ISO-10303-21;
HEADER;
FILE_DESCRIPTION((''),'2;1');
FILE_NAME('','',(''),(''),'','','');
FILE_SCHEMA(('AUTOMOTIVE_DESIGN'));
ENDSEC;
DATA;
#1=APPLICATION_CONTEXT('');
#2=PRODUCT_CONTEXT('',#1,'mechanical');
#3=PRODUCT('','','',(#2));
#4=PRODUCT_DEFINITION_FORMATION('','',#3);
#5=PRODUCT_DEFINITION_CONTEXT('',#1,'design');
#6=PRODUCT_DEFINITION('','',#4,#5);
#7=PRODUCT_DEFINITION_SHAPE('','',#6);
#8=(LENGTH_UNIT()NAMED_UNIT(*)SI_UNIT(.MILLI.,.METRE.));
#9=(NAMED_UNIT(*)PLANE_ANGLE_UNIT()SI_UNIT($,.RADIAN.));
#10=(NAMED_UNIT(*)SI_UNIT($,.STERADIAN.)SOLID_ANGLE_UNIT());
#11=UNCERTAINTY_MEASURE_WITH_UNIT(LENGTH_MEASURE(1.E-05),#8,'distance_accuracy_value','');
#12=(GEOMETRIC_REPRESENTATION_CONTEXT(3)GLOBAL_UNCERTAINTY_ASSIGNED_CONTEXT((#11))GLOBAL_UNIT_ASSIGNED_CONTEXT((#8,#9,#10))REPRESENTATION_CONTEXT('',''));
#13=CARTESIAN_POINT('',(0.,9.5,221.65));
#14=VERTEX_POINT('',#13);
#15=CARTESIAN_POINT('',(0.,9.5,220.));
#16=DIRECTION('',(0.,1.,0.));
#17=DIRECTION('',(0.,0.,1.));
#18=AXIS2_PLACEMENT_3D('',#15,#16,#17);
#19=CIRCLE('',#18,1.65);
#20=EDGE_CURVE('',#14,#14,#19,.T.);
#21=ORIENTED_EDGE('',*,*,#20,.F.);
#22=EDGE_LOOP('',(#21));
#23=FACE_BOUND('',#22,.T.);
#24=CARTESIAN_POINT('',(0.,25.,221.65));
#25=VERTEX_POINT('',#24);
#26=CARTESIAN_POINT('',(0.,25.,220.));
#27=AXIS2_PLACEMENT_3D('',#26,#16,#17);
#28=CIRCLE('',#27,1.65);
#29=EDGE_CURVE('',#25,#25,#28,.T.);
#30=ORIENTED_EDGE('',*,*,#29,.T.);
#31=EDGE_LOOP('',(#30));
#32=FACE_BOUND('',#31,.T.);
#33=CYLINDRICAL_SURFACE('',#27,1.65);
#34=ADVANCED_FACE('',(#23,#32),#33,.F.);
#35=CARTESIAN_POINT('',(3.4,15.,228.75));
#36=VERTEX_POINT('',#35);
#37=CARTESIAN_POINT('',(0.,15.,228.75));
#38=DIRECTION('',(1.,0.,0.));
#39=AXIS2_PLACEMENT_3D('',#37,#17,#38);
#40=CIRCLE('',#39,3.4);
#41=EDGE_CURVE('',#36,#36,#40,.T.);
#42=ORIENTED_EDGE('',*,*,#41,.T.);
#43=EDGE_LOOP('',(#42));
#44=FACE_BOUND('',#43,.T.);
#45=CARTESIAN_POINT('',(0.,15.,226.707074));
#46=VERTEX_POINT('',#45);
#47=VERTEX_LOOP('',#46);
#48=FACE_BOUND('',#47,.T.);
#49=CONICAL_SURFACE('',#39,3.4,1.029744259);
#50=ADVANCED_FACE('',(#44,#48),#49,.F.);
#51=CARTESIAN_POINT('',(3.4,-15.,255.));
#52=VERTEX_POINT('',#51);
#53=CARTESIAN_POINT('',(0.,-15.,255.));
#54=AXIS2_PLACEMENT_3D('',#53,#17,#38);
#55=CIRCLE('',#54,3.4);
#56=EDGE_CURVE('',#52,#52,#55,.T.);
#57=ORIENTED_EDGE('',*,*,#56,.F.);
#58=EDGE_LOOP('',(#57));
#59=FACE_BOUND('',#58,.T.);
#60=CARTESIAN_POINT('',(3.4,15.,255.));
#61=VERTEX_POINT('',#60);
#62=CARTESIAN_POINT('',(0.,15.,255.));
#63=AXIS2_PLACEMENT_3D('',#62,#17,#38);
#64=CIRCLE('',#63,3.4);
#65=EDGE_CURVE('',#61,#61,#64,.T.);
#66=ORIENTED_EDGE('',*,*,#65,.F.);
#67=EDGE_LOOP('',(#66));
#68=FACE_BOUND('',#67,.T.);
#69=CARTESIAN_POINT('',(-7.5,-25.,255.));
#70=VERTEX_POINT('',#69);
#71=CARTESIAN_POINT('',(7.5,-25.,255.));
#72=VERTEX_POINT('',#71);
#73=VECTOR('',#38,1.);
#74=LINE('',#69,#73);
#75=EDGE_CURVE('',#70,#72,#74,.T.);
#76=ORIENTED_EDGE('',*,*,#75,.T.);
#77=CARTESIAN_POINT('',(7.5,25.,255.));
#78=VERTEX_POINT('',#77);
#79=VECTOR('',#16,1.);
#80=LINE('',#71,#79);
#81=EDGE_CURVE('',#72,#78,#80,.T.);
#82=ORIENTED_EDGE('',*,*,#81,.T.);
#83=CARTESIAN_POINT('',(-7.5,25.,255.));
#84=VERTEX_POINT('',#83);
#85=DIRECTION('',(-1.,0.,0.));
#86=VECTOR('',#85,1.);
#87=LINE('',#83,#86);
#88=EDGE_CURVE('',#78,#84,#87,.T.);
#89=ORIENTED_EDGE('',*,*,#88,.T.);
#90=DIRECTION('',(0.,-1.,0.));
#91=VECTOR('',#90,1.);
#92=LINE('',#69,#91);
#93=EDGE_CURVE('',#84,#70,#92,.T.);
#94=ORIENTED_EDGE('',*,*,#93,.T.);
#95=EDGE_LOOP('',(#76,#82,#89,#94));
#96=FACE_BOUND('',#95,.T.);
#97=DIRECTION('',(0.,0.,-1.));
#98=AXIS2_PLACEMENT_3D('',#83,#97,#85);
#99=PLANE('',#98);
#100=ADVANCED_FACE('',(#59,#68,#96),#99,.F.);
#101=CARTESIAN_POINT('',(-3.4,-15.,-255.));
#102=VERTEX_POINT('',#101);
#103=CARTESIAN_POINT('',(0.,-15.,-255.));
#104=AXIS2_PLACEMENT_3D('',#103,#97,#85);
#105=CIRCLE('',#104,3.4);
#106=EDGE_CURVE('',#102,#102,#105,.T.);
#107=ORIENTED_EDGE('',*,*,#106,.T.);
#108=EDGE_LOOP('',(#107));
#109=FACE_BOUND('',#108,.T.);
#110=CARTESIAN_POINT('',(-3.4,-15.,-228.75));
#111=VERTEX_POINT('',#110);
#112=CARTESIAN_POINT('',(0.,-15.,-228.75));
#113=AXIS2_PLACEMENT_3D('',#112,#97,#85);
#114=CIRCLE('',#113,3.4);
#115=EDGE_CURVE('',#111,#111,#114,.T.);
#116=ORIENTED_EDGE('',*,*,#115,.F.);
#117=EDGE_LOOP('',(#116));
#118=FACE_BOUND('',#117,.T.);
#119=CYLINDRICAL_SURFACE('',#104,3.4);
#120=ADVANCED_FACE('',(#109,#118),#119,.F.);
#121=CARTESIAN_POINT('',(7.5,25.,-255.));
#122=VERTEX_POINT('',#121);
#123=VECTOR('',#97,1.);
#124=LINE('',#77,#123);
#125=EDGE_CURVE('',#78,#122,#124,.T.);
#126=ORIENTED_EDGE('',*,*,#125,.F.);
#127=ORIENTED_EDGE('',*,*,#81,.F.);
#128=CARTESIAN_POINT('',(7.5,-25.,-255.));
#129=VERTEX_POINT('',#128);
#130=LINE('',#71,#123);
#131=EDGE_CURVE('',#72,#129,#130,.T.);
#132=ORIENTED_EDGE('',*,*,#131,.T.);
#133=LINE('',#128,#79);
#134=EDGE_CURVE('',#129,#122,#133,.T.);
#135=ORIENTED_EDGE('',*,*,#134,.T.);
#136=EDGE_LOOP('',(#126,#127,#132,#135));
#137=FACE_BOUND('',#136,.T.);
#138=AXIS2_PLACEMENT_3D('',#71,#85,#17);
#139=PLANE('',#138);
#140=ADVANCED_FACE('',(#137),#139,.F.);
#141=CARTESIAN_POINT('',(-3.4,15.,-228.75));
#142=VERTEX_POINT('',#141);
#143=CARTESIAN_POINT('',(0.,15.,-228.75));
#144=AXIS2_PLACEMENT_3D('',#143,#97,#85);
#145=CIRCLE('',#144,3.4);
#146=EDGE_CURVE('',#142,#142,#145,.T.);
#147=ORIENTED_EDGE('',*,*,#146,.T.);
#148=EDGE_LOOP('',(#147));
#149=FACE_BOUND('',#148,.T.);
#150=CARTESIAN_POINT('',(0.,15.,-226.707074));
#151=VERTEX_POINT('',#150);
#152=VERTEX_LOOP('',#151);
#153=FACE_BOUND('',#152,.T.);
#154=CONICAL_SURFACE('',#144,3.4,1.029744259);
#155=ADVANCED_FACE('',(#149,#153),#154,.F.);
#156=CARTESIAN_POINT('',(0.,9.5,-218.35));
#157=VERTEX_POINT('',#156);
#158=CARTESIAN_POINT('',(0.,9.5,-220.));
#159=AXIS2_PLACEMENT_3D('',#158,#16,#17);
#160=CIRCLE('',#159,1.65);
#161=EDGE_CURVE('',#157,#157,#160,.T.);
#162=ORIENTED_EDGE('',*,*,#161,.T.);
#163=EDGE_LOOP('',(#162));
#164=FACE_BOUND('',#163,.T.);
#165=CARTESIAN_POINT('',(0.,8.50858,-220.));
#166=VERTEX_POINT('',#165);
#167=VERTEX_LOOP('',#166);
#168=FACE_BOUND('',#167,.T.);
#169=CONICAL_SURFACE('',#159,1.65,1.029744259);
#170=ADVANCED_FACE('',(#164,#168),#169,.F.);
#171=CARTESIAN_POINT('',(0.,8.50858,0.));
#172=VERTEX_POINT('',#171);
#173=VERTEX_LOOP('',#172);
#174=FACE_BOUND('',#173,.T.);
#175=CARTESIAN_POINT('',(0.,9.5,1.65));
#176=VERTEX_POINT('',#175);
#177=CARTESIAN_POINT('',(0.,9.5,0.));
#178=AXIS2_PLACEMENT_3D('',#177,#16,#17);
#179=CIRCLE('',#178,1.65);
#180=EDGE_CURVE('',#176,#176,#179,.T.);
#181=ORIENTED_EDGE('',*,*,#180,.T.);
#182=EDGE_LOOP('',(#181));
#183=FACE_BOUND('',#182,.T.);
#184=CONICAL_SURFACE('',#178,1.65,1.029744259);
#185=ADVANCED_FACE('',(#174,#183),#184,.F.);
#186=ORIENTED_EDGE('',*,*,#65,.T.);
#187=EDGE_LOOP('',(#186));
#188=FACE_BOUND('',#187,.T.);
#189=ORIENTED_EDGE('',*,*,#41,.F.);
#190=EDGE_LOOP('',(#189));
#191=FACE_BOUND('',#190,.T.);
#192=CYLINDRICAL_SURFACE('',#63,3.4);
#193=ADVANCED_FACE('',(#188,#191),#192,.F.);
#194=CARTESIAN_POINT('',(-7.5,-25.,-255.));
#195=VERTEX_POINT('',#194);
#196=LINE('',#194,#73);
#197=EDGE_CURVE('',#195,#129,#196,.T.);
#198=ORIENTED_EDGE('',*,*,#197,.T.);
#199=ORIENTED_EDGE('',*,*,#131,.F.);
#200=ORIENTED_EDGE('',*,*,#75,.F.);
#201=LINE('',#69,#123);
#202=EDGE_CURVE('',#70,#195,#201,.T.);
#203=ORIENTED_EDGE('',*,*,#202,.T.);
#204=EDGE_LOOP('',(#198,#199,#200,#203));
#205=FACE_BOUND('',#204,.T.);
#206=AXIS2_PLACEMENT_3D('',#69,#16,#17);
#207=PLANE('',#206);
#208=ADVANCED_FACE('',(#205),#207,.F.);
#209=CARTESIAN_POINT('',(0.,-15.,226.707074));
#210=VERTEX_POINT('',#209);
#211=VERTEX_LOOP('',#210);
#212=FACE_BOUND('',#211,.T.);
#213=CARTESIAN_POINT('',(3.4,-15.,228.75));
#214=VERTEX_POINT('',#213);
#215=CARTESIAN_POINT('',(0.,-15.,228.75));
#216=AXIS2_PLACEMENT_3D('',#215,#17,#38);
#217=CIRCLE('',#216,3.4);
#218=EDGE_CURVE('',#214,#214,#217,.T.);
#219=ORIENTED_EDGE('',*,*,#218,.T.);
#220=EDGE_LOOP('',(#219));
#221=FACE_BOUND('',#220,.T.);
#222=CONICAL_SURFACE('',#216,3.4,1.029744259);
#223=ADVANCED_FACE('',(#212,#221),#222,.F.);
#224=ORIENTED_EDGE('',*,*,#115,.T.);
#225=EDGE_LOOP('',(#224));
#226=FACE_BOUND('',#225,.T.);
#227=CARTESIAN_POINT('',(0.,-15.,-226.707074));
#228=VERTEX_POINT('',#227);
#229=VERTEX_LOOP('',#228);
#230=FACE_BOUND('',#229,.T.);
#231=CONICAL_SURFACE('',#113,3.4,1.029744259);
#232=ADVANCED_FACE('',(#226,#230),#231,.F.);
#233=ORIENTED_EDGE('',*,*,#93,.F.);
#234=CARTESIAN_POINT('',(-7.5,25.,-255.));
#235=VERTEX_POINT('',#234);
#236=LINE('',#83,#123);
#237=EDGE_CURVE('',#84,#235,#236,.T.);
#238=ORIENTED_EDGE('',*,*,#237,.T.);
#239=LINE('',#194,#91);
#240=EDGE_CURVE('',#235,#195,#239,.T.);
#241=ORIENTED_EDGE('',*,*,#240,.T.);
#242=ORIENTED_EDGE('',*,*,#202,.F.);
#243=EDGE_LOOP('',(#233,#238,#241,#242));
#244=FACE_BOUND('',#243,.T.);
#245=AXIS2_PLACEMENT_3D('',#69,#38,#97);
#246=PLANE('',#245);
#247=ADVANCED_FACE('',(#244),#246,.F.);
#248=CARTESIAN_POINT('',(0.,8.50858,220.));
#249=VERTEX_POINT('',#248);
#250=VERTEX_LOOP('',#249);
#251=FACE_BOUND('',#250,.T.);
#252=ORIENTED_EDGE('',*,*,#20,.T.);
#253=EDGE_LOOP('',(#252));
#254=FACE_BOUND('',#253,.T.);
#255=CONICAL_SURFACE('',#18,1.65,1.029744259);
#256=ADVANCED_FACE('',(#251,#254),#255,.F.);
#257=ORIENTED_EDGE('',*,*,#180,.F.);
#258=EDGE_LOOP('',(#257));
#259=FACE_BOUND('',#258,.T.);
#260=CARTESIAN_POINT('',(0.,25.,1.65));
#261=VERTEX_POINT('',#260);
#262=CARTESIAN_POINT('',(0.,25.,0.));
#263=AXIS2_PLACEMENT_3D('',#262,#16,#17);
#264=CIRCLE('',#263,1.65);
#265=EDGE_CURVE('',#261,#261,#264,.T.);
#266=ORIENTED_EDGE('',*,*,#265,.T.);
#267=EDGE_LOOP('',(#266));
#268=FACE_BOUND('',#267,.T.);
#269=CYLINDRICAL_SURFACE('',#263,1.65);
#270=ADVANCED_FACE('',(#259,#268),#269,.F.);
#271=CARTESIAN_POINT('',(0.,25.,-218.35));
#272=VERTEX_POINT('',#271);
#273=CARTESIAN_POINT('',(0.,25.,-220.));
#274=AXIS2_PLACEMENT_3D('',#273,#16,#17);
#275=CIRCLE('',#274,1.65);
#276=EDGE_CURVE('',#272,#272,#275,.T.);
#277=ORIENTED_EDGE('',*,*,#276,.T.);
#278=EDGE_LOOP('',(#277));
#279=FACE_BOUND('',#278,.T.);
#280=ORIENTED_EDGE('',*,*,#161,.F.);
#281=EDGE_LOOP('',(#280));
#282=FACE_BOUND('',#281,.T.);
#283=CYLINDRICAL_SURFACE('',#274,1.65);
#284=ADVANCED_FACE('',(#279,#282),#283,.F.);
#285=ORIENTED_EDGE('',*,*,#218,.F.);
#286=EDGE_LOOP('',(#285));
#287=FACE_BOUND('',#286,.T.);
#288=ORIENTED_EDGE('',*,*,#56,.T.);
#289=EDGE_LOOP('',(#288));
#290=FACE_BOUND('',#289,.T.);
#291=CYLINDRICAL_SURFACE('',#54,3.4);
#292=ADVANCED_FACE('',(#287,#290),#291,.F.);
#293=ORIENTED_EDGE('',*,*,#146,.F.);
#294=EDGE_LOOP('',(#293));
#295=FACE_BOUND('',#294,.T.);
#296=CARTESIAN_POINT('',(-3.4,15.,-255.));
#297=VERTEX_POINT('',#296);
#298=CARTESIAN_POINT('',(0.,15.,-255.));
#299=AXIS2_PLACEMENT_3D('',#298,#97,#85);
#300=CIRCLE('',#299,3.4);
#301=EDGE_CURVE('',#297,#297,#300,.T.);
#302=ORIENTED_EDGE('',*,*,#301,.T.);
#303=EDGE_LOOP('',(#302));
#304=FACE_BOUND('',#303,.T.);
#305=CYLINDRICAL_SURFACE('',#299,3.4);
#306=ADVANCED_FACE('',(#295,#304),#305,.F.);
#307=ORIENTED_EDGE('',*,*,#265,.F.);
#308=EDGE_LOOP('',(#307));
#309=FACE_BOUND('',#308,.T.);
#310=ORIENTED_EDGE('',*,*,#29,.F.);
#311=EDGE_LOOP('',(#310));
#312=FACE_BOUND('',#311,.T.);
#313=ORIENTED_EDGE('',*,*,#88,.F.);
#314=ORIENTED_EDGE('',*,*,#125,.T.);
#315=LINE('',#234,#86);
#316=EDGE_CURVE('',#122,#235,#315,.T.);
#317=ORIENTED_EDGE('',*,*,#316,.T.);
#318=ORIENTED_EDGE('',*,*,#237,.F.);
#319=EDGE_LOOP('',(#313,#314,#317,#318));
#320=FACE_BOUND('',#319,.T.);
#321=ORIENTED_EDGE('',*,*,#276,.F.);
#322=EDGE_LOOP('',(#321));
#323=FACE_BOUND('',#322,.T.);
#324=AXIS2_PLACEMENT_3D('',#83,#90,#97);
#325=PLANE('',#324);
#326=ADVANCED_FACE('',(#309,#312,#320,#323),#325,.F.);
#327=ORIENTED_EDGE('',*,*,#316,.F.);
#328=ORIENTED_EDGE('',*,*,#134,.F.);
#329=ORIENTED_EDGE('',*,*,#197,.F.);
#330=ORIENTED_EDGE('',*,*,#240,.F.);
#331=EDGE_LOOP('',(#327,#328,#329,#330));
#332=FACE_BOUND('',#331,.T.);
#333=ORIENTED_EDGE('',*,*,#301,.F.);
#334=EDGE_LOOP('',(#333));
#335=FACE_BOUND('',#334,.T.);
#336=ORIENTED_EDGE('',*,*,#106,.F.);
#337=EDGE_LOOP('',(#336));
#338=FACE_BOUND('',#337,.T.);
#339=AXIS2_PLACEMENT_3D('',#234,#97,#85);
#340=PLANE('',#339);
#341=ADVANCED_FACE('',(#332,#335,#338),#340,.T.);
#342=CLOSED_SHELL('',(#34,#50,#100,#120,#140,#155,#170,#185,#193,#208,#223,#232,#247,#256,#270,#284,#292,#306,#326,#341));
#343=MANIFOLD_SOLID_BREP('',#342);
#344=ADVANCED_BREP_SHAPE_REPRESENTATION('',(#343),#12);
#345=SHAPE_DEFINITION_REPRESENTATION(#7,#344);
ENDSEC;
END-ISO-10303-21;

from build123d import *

# Parameters (mm, degrees)
SCHIZZO1_W                     = 15
SCHIZZO1_H                     = 50
ESTRUSIONE1_DEPTH              = 255
FORO_FILETTATO_M8_1_AT_2_COUNT = 2
FORO_FILETTATO_M8_1_AT_2_PITCH = 30
FORO_FILETTATO_M4_1_D          = 3.3
FORO_FILETTATO_M4_1_DEPTH      = 15.5
FORO_FILETTATO_M4_1_TIP        = 0.991420021


with BuildPart() as part:
    # Schizzo1 → Estrusione1 (new, symmetric)
    with BuildSketch(Plane.XY):
        Rectangle(SCHIZZO1_W, SCHIZZO1_H)
    extrude(amount=ESTRUSIONE1_DEPTH, both=True)

    # Schizzo3 → Foro filettato M8-1 (revolve, cut)
    with BuildSketch(Plane(origin=(0, 15, 255), x_dir=(0, -1, 0), z_dir=(1, 0, 0))):
        Polygon((0, 0), (0, 28.292926105), (3.4, 26.25), (3.4, 0), align=None)
    foro_filettato_m8_1 = revolve(axis=Axis((0, 15, 261.35), (0, 0, -1)), mode=Mode.SUBTRACT)

    # Foro filettato M8-1 at 2: Foro filettato M8-1 ×2
    with Locations(*[(0, -i * FORO_FILETTATO_M8_1_AT_2_PITCH, 0) for i in range(1, FORO_FILETTATO_M8_1_AT_2_COUNT)]):
        add(foro_filettato_m8_1, mode=Mode.SUBTRACT)

    # Specchia1: Foro filettato M8-1 across plane
    add(foro_filettato_m8_1.mirror(Plane.XY), mode=Mode.SUBTRACT)

    # Specchia1 copy 1 sketch → Specchia1 copy 1 (revolve, cut)
    with BuildSketch(Plane(origin=(0, -15, -255), x_dir=(0, -1, 0), z_dir=(1, 0, 0))):
        Polygon((0, 0), (0, -28.292926105), (3.4, -26.25), (3.4, 0), align=None)
    revolve(axis=Axis((0, -15, -261.35), (0, 0, -1)), mode=Mode.SUBTRACT)

    # Foro filettato M4-1
    with Locations(Plane(origin=(0, 25, 0), x_dir=(1, 0, 0), z_dir=(0, 1, 0))):
        with Locations((0, 0), (0, 220), (0, -220)):
            Hole(FORO_FILETTATO_M4_1_D / 2, depth=FORO_FILETTATO_M4_1_DEPTH)
            with Locations((0, 0, -(FORO_FILETTATO_M4_1_DEPTH + FORO_FILETTATO_M4_1_TIP / 2))):  # 118° drill point
                Cone(0, FORO_FILETTATO_M4_1_D / 2, FORO_FILETTATO_M4_1_TIP, mode=Mode.SUBTRACT)


solid = part.part
